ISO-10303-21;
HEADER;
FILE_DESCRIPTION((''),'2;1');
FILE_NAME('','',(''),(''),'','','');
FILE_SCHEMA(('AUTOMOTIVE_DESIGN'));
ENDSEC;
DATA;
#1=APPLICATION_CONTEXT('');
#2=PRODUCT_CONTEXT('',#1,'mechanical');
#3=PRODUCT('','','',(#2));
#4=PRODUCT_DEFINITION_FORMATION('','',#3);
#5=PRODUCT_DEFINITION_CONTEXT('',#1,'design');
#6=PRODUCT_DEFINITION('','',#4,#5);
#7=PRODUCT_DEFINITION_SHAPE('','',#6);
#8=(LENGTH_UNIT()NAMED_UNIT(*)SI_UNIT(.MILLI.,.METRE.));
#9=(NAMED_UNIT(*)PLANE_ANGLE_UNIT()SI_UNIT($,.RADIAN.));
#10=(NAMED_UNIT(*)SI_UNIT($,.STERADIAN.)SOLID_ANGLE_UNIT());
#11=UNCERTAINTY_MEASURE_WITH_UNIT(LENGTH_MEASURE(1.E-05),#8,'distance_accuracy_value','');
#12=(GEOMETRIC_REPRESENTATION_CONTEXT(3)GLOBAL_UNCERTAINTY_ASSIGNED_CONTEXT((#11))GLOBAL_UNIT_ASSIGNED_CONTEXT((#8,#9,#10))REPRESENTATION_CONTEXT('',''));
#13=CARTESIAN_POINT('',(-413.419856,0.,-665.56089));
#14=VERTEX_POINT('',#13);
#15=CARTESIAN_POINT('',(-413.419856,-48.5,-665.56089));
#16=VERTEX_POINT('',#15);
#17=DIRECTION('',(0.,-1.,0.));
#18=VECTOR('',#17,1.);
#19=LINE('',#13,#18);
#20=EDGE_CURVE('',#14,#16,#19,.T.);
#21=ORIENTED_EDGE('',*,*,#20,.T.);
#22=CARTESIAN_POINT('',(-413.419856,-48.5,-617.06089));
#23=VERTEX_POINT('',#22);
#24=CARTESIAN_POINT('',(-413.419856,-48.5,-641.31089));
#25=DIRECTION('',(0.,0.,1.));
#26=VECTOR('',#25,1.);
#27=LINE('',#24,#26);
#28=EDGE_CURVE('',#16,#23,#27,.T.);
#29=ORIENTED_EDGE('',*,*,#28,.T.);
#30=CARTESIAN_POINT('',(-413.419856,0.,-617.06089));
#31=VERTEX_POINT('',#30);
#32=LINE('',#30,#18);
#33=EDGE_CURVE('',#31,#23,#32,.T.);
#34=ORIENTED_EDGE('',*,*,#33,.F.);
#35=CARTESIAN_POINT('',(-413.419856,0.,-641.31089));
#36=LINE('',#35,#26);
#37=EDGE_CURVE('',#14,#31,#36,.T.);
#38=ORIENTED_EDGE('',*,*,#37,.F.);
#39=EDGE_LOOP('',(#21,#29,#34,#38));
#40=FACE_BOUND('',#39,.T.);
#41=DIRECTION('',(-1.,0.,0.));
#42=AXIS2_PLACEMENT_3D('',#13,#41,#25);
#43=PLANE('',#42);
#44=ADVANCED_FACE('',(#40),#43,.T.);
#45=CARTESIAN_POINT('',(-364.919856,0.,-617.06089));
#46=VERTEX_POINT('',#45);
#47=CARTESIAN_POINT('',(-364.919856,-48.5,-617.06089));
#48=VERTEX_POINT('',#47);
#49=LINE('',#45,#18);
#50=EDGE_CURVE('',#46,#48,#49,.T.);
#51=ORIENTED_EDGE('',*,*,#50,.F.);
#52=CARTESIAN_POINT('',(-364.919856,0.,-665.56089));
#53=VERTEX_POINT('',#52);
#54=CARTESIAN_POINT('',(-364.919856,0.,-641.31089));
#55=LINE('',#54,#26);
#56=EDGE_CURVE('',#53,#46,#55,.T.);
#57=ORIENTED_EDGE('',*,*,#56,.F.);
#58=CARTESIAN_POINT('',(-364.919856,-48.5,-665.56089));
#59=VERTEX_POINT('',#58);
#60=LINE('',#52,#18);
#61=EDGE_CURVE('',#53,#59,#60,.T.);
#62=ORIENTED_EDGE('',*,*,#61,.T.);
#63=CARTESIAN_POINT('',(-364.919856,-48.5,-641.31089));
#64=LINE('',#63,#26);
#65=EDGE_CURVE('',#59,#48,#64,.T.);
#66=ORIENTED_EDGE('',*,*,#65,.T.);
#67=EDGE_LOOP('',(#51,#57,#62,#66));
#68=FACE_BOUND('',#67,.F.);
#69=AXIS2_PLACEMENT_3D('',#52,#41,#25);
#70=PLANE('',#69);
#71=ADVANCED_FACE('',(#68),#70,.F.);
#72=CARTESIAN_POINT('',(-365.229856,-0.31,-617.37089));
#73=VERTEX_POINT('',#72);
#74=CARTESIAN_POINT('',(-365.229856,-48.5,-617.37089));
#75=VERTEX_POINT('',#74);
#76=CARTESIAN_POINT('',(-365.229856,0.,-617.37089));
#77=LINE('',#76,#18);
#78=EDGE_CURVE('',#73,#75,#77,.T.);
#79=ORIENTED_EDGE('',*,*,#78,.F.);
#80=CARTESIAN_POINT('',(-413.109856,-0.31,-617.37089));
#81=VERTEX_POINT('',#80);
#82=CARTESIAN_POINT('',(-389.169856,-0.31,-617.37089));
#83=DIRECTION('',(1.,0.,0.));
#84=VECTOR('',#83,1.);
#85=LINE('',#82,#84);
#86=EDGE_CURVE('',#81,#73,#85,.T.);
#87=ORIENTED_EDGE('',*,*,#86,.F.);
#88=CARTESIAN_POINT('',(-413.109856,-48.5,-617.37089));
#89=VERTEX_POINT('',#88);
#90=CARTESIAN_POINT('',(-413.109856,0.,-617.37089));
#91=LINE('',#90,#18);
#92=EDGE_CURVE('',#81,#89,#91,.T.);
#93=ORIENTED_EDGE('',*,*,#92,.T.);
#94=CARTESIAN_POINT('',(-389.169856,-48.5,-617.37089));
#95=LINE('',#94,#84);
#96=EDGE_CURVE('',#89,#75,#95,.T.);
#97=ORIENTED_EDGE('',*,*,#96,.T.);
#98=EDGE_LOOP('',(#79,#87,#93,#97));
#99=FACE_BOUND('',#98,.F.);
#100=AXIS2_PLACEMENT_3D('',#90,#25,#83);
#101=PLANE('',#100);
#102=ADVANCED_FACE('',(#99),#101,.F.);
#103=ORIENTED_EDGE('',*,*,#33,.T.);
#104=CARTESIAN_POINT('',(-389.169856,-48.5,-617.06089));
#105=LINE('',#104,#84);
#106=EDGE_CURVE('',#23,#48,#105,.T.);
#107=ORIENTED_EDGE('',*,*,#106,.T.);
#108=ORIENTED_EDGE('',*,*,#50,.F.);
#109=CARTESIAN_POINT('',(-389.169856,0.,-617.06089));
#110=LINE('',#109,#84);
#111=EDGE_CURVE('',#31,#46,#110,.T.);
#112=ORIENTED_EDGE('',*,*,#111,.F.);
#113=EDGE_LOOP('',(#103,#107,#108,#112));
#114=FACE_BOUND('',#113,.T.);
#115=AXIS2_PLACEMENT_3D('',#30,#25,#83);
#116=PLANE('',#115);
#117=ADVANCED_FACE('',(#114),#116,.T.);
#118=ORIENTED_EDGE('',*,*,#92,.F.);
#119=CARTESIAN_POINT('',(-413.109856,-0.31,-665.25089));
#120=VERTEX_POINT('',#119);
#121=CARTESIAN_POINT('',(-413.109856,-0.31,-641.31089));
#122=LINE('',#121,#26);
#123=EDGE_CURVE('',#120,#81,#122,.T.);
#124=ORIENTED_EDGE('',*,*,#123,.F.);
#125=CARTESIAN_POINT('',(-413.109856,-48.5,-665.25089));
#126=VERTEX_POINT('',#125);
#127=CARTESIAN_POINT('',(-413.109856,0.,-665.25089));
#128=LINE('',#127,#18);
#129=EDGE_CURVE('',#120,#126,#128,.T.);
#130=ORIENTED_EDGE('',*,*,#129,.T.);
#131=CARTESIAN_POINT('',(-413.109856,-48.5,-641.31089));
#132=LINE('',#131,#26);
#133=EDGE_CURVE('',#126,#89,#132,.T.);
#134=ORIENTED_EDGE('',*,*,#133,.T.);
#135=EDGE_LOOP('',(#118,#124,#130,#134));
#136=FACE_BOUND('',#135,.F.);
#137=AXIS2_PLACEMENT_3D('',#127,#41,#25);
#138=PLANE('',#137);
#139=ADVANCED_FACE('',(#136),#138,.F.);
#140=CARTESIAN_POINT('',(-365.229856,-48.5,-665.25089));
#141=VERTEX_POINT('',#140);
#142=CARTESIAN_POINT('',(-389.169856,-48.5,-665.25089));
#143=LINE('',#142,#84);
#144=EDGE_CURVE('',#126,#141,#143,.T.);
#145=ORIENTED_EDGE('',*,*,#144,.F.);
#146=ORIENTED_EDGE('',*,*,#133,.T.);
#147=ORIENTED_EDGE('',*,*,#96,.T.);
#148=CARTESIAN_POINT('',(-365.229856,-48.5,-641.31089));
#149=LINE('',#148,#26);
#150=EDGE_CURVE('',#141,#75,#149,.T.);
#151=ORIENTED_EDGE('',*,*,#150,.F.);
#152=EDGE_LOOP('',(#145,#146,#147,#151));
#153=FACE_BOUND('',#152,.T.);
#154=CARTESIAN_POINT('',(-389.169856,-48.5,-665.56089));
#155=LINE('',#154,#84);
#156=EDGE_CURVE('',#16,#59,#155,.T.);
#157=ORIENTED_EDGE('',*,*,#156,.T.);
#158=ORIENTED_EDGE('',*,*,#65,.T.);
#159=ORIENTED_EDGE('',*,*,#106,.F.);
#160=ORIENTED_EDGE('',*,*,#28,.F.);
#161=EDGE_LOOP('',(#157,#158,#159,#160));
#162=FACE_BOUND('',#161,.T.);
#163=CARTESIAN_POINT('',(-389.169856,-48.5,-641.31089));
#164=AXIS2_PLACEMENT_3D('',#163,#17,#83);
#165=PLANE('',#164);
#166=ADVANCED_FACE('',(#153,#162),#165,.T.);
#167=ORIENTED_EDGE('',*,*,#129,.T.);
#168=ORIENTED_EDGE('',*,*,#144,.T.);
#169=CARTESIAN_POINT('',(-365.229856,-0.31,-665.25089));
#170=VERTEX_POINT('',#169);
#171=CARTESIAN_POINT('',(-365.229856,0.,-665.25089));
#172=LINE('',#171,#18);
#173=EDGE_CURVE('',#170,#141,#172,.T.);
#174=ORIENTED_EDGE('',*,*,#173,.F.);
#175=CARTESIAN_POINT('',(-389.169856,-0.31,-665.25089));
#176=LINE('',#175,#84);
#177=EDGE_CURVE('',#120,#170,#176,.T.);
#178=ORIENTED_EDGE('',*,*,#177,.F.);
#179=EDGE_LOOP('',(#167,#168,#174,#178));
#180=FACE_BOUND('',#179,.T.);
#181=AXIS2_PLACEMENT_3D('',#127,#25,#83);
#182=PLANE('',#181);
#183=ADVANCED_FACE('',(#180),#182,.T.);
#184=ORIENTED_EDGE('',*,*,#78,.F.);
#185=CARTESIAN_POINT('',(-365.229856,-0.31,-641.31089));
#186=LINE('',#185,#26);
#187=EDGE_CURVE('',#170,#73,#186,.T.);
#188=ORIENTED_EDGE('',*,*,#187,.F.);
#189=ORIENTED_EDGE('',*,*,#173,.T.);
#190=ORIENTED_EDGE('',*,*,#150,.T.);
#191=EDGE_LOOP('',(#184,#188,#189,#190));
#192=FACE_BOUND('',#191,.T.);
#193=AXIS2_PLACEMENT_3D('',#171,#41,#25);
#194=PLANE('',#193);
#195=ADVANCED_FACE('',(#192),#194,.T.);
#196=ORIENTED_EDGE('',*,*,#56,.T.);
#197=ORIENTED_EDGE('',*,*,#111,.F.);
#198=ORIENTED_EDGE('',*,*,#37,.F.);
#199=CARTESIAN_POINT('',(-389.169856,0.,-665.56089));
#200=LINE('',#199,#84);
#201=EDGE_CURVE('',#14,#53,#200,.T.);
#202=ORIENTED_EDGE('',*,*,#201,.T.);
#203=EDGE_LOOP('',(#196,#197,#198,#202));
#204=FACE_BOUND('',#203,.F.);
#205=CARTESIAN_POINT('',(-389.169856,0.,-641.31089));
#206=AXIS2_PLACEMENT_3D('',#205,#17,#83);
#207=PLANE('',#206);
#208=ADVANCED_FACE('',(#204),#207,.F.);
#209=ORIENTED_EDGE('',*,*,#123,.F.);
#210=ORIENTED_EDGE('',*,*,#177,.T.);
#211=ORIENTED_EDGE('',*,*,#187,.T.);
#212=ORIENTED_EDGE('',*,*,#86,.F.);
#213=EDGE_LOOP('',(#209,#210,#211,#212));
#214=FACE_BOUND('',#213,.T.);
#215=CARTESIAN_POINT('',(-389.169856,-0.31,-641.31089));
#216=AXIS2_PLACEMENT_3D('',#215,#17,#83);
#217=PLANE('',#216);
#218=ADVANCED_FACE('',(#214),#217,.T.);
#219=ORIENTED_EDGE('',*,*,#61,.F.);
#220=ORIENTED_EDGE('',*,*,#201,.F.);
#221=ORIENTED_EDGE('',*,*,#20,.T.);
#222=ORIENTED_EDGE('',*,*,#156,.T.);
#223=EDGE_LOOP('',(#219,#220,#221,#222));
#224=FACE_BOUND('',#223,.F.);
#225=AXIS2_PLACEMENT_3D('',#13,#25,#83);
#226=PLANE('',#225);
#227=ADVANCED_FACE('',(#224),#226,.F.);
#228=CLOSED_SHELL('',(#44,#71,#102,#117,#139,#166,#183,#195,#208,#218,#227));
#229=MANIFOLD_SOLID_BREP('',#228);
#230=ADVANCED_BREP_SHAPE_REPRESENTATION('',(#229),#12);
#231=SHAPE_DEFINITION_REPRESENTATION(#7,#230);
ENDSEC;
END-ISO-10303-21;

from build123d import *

# Parameters (mm, degrees)
F2_W     = 47.88
F2_H     = 47.88
F3_DEPTH = 0.31
F2_W_2   = 48.5
F2_H_2   = 48.5
F4_DEPTH = 48.5


with BuildPart() as f3:
    # F2 (on Front) → F3 (new body)
    with BuildSketch(Plane.XZ):
        with Locations((-389.1698562622, -641.3108897276)):
            Rectangle(F2_W, F2_H)
    extrude(amount=F3_DEPTH)

    # F2 (on Front) → F4 (join)
    with BuildSketch(Plane.XZ):
        with Locations((-389.1698562622, -641.3108897276)):
            Rectangle(F2_W_2, F2_H_2)
        with Locations((-389.1698562622, -641.3108897276)):
            Rectangle(F2_W, F2_H, mode=Mode.SUBTRACT)
    extrude(amount=F4_DEPTH)


solid = f3.part
